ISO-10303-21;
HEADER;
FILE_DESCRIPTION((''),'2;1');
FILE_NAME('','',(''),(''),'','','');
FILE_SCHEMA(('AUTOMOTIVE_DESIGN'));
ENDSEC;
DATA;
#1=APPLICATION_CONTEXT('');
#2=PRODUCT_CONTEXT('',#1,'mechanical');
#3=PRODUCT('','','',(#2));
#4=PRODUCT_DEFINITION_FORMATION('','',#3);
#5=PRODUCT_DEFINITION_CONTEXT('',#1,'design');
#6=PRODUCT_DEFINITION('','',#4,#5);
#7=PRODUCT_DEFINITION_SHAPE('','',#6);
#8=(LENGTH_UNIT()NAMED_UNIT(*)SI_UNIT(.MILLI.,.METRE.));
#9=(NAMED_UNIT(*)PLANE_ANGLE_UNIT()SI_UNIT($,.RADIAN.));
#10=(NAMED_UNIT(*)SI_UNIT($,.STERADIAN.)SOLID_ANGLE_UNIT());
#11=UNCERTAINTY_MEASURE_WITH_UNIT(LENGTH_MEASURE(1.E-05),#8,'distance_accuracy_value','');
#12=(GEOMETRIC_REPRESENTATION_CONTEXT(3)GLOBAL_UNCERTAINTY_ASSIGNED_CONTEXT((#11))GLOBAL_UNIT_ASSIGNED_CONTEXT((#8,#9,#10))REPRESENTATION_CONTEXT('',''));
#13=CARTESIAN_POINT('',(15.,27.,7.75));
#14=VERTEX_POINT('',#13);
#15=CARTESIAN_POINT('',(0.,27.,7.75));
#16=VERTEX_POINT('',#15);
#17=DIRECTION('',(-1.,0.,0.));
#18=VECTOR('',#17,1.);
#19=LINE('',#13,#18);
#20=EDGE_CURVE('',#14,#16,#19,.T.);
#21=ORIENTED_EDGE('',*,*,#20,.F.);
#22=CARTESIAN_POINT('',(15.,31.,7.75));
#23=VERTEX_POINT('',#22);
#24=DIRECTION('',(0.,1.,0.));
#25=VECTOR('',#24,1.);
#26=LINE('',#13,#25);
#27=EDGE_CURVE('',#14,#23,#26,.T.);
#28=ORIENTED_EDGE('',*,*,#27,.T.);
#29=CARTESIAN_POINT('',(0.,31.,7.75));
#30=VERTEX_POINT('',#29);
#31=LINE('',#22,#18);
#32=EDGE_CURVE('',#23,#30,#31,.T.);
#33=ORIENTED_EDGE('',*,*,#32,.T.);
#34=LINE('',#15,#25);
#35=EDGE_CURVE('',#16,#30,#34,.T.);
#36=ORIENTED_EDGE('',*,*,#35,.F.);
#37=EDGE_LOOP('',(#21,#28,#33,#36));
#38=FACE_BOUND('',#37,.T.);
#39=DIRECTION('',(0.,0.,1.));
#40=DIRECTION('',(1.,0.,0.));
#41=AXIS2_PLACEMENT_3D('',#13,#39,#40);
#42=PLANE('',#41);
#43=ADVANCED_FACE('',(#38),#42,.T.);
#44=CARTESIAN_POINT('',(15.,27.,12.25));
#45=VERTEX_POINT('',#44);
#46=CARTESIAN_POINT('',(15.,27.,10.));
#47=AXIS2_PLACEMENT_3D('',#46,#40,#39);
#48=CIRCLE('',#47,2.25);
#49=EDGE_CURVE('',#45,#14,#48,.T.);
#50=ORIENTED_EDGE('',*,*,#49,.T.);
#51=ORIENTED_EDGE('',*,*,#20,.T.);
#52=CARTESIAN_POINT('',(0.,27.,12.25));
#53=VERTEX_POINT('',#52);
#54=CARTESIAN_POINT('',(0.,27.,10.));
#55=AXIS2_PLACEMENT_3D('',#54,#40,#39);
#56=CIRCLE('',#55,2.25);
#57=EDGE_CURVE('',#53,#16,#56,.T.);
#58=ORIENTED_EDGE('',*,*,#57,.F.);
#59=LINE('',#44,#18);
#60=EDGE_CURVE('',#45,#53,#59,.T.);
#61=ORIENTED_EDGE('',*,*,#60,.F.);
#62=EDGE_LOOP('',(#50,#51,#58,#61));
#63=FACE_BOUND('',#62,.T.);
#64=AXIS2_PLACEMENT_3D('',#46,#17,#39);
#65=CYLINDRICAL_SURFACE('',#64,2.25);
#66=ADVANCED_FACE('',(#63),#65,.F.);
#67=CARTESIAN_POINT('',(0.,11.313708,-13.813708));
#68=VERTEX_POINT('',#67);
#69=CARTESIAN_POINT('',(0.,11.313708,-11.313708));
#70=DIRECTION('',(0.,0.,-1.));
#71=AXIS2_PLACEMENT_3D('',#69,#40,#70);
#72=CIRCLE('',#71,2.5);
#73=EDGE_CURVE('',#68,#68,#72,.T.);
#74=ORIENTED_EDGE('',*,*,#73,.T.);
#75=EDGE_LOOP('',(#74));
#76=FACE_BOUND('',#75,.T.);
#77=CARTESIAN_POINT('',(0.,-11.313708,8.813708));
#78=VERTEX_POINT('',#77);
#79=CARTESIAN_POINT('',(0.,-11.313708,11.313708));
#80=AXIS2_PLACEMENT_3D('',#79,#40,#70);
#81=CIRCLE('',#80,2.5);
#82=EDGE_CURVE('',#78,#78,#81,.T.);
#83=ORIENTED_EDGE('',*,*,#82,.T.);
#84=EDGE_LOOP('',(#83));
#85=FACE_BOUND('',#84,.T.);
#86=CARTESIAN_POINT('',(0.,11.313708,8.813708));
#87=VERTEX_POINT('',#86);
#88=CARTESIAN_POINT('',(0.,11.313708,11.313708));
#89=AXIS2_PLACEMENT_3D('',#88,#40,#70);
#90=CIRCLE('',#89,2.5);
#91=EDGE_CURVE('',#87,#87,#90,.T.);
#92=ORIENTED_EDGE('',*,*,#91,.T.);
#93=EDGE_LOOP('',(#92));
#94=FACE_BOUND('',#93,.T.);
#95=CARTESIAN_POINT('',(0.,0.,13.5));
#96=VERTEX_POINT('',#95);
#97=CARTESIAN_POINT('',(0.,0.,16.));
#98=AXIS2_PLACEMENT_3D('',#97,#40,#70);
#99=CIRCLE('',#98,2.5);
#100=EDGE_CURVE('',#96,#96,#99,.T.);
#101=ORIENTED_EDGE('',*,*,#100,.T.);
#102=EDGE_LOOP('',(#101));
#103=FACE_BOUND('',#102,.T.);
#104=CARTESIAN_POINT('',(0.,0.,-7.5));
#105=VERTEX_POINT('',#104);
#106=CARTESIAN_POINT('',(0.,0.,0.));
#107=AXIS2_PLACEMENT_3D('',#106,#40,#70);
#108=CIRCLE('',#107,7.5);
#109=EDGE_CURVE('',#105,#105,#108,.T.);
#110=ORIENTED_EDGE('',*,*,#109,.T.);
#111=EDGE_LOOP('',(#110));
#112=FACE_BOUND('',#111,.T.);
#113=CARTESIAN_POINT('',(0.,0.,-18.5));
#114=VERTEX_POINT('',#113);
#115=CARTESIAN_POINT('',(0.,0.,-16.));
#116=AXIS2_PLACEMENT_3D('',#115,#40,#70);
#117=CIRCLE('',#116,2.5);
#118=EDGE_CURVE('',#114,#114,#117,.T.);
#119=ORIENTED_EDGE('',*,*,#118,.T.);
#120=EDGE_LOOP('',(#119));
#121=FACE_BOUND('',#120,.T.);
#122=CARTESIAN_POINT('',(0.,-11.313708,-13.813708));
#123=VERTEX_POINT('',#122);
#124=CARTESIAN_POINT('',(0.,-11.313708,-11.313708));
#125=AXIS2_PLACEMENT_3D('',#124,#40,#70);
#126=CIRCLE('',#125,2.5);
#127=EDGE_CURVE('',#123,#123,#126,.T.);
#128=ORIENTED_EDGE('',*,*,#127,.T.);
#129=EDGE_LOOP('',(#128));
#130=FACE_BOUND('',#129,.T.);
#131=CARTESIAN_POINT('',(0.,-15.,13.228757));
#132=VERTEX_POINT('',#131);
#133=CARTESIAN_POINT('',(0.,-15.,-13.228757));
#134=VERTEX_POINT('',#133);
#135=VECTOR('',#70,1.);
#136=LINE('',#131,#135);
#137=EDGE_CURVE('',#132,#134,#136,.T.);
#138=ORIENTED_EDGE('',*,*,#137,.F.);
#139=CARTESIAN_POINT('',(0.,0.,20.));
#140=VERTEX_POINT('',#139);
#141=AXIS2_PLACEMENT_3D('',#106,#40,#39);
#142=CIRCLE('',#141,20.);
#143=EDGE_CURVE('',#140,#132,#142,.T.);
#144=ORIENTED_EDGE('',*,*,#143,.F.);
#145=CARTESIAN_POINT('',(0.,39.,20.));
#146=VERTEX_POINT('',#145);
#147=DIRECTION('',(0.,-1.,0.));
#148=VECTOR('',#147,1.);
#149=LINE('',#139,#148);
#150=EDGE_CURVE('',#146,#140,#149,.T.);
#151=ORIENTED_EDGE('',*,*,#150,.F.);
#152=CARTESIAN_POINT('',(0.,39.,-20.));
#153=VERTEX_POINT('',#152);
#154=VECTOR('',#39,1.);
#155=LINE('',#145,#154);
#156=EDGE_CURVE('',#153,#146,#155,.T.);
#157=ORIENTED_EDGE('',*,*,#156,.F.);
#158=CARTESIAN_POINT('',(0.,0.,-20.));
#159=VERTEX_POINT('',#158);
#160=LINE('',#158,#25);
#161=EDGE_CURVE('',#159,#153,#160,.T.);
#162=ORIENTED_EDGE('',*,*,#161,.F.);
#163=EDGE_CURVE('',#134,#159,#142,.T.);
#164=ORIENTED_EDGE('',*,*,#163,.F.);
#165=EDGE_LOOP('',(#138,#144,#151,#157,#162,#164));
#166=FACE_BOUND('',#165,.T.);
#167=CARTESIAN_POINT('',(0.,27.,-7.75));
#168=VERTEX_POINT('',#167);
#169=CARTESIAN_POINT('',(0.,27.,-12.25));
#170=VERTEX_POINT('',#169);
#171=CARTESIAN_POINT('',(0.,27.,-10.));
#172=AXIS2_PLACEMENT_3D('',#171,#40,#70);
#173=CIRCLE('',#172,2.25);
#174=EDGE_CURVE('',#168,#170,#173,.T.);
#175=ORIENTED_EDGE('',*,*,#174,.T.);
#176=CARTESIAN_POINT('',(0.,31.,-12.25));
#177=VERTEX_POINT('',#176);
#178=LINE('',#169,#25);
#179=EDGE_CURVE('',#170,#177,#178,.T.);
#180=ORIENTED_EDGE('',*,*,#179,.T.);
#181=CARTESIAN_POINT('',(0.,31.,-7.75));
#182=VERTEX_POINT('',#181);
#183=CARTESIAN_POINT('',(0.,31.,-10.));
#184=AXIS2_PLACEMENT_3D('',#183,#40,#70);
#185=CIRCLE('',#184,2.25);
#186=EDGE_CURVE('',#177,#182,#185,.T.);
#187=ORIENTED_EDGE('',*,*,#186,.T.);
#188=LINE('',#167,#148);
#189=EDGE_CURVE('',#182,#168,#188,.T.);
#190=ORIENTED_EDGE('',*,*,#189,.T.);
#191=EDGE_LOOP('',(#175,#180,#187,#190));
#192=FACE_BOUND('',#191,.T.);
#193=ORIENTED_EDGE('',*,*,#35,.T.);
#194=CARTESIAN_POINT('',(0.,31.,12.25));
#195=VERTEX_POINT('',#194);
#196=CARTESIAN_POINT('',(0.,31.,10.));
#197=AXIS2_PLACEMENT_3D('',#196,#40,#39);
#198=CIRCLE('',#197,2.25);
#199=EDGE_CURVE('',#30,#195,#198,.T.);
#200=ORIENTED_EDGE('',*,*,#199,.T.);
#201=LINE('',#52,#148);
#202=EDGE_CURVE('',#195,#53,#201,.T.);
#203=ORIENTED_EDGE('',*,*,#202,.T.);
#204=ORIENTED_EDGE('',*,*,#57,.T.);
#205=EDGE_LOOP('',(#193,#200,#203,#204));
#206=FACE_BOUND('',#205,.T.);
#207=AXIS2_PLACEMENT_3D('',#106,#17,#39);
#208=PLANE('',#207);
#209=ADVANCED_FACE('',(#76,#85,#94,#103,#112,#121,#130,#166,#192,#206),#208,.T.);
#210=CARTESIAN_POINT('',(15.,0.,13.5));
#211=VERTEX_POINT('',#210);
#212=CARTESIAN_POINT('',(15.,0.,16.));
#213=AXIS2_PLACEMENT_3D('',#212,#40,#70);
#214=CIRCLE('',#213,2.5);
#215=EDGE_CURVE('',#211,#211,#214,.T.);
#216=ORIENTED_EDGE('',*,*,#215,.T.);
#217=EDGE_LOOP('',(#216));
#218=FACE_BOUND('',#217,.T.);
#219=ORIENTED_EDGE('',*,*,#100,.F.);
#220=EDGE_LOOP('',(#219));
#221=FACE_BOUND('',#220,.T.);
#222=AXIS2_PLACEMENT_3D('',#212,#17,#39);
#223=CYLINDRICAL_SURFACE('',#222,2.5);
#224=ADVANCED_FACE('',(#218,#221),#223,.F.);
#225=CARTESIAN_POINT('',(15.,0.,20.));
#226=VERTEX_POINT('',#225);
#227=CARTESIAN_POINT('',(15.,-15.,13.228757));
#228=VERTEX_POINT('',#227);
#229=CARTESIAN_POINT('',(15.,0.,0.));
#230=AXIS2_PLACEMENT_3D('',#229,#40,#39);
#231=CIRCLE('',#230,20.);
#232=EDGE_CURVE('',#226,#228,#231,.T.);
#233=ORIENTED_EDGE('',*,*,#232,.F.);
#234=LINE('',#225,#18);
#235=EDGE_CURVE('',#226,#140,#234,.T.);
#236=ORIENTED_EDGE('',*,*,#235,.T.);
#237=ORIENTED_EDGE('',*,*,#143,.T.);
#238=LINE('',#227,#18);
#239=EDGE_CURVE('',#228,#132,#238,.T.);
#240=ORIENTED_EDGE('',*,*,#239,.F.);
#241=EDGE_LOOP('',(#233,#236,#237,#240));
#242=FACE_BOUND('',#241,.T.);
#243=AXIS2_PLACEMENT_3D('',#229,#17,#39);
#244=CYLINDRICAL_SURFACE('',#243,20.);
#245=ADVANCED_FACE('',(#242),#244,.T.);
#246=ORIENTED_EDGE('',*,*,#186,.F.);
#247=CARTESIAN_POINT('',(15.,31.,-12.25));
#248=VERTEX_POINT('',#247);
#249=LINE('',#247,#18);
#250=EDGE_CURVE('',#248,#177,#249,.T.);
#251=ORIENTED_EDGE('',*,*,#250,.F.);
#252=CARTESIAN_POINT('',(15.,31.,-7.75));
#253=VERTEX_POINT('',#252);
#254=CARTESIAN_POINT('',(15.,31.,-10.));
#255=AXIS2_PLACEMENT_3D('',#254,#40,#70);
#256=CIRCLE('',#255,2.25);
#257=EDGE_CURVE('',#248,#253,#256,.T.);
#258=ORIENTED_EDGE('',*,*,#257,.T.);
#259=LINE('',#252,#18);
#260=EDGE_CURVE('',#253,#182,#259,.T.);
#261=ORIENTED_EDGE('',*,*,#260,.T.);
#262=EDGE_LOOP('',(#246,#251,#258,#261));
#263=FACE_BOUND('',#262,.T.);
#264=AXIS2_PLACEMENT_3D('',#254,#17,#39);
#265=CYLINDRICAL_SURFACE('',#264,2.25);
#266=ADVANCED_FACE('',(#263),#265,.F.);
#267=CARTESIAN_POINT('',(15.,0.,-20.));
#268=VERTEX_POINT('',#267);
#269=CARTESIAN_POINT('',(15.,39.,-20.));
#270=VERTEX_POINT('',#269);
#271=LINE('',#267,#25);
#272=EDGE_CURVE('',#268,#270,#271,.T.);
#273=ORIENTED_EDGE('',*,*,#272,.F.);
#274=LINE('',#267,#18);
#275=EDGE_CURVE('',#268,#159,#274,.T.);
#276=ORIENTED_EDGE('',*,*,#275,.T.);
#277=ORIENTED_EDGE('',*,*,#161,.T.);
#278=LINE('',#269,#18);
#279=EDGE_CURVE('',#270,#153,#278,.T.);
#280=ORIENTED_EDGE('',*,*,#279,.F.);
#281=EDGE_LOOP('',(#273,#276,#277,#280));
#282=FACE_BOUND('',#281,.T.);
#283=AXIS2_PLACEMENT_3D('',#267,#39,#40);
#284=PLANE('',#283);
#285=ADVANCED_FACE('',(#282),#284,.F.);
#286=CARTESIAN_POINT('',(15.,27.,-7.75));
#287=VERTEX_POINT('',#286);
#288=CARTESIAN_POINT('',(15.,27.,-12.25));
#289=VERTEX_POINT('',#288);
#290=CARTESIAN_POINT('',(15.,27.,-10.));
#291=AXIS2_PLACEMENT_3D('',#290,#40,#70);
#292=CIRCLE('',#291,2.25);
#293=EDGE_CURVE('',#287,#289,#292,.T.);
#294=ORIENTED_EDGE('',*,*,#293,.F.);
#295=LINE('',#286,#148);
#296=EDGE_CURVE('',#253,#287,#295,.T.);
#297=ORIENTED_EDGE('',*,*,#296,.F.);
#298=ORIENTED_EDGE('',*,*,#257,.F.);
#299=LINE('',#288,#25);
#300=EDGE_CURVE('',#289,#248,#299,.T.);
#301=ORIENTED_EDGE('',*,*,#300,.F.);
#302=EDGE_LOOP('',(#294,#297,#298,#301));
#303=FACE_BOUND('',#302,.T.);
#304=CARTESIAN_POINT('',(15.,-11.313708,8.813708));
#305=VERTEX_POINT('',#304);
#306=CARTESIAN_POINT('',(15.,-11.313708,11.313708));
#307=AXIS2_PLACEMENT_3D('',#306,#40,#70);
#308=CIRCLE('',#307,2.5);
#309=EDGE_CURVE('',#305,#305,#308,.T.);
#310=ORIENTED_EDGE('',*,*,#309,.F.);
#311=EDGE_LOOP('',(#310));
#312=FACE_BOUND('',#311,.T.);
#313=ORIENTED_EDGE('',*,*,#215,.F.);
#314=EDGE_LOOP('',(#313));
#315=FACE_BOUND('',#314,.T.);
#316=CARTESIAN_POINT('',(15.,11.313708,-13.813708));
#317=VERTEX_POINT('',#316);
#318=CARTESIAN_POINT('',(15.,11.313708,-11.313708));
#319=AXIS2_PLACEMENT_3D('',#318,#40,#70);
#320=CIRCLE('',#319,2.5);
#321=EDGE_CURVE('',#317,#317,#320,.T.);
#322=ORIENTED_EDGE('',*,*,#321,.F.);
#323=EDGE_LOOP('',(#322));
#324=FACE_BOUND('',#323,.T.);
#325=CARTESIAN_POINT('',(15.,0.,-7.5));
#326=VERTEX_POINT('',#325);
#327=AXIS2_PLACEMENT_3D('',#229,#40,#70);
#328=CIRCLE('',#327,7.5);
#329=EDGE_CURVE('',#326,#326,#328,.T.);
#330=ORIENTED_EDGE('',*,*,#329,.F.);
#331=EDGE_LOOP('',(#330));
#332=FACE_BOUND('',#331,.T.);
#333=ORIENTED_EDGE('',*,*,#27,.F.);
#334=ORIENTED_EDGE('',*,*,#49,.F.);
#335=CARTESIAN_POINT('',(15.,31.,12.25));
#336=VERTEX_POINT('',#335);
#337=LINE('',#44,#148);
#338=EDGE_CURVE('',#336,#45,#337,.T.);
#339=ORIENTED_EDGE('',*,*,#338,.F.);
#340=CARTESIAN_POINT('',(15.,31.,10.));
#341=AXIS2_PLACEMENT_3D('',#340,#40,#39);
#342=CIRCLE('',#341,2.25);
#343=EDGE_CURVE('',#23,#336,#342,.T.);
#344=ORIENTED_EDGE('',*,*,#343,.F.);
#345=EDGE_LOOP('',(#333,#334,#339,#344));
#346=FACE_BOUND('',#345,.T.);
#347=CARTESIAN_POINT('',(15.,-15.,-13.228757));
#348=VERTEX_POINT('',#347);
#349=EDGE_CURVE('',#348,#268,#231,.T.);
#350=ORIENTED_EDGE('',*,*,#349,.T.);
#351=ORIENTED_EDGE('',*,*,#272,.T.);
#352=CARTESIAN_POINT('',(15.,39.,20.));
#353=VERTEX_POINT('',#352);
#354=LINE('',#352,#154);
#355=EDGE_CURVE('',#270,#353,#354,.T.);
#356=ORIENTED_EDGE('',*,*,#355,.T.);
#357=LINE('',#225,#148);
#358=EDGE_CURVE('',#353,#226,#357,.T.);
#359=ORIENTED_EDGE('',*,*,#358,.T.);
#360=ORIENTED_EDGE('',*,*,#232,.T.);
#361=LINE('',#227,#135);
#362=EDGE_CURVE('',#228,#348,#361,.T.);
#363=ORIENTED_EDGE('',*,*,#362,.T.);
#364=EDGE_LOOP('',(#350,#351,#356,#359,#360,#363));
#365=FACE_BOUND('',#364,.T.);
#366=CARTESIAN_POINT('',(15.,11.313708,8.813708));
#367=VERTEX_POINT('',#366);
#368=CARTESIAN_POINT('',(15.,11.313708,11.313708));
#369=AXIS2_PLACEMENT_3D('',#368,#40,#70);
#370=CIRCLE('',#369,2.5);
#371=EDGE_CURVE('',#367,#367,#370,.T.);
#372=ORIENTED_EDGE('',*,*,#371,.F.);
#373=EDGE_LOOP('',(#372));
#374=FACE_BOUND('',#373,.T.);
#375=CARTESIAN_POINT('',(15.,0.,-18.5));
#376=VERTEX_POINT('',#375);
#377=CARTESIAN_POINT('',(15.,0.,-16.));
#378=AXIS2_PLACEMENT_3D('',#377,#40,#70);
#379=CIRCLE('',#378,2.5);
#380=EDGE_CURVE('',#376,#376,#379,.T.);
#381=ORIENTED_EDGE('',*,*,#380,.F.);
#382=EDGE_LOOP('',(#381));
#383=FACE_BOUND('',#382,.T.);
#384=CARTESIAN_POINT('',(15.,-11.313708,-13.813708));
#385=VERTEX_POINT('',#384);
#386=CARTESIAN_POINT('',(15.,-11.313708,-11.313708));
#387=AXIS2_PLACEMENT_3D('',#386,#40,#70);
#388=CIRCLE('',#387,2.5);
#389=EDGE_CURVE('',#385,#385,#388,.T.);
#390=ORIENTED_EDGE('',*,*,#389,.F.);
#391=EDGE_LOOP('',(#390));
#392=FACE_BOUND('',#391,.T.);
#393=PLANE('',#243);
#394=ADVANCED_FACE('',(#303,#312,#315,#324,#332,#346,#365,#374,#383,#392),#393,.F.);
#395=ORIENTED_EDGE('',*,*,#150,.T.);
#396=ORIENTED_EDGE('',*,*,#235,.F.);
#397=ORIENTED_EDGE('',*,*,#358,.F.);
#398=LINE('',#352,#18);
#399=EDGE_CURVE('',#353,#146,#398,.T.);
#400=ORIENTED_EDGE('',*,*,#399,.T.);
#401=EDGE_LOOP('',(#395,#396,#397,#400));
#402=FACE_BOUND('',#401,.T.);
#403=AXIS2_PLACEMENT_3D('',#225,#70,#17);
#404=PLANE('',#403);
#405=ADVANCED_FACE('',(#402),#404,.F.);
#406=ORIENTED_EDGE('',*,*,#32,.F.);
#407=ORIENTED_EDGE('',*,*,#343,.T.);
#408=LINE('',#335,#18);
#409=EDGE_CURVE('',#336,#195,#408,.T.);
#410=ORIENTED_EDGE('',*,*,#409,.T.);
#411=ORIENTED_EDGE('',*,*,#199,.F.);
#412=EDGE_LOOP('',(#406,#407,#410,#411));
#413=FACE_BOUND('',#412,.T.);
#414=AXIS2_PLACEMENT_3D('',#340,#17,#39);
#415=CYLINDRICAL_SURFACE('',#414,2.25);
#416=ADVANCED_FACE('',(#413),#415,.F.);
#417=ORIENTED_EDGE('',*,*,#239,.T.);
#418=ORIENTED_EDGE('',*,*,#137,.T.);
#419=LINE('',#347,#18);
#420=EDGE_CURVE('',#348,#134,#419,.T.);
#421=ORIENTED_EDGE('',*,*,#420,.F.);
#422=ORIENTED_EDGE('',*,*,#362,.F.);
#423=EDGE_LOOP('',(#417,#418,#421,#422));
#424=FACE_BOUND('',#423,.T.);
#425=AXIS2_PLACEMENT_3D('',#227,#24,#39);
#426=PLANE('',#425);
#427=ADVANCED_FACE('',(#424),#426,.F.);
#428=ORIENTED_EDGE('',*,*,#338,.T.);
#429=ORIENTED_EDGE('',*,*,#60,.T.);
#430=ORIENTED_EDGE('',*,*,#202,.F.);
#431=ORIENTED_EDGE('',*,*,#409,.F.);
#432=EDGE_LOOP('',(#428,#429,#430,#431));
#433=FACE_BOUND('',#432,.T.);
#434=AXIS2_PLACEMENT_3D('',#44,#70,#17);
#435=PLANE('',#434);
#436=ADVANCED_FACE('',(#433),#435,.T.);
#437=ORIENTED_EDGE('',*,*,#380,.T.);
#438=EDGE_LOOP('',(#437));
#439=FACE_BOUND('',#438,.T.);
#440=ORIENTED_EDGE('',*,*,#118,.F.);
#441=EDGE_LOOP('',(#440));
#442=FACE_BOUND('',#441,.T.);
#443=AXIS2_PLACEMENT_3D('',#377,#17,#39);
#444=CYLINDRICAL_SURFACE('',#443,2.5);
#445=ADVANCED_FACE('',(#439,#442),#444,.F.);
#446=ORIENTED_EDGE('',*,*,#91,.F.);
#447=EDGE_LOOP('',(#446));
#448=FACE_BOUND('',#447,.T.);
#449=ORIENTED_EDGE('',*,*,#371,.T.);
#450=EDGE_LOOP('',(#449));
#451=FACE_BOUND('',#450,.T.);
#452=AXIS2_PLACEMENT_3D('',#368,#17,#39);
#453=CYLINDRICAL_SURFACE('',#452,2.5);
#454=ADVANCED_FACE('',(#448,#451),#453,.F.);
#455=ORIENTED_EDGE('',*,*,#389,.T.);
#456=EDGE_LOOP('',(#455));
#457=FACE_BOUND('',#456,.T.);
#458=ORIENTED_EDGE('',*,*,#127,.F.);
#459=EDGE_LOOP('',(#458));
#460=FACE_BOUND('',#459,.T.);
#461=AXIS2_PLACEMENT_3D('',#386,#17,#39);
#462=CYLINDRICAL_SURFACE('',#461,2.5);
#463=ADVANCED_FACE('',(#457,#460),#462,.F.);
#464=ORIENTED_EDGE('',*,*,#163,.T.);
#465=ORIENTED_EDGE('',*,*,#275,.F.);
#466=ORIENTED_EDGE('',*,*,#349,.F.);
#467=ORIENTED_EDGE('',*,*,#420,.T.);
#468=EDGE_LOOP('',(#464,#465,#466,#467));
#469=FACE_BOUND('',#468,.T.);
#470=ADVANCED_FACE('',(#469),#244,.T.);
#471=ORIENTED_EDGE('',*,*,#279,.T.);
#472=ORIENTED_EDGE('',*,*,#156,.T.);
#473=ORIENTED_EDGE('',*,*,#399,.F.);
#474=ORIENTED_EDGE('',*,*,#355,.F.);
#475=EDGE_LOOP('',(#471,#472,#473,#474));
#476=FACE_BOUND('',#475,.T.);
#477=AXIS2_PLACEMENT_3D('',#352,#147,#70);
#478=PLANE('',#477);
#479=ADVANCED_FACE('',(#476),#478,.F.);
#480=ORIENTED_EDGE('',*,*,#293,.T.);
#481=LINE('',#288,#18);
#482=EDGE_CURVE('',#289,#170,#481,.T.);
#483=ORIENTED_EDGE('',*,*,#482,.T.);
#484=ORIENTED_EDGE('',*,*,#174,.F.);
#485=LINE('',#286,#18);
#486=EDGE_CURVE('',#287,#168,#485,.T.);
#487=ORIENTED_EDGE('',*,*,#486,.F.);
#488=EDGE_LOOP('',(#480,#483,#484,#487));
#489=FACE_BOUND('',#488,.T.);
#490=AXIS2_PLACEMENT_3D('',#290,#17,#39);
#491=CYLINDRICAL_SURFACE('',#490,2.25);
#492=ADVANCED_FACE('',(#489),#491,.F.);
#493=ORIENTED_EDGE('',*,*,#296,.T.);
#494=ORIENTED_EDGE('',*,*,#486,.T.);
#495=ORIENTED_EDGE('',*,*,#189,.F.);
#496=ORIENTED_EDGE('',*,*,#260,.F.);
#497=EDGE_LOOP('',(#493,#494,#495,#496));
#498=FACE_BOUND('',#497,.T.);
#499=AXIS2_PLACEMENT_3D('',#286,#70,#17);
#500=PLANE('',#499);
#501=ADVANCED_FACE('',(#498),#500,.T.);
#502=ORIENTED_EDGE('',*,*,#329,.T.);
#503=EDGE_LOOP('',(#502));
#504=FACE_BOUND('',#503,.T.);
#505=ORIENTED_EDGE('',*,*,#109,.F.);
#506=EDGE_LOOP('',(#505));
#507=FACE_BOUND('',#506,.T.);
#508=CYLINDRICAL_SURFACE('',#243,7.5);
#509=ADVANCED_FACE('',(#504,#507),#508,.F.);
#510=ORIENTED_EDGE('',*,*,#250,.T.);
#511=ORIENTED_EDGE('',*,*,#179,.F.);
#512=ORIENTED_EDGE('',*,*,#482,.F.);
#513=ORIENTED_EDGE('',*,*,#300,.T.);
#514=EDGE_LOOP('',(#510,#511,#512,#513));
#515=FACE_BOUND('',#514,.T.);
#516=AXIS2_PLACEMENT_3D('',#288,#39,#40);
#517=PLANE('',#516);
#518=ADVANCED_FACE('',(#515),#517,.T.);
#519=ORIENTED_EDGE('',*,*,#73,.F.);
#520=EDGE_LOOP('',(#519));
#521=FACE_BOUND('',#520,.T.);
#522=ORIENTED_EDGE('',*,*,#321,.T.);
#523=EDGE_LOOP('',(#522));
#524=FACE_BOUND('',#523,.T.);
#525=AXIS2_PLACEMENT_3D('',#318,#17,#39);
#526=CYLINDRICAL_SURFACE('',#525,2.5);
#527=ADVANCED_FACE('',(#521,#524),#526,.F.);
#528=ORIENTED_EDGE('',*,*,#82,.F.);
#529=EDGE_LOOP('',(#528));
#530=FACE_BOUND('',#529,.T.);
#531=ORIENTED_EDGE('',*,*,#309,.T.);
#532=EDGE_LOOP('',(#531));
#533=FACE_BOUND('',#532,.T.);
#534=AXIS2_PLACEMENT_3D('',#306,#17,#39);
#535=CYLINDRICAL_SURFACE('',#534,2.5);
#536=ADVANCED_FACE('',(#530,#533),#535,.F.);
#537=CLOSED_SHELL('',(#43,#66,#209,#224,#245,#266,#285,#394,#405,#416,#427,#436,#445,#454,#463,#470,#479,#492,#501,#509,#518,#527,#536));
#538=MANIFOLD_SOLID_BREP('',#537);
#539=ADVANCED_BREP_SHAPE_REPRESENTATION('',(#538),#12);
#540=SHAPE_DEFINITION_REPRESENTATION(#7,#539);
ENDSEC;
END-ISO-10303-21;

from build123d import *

# Parameters (mm, degrees)
SKETCH1_R           = 7.5
SKETCH1_R_2         = 2.5
BOSS_EXTRUDE1_DEPTH = 15


with BuildPart() as part:
    # Sketch1 → Boss-Extrude1 (new body)
    with BuildSketch(Plane(origin=(0, 0, 0), x_dir=(0, 0, -1), z_dir=(1, 0, 0))):
        with BuildLine():
            Line((-13.228756555, -15), (13.228756555, -15))
            ThreePointArc((13.228756555, -15), (18.228756555, -8.228756555), (20, 0))
            Line((20, 0), (20, 39))
            Line((20, 39), (-20, 39))
            Line((-20, 39), (-20, 0))
            ThreePointArc((-20, 0), (-18.228756555, -8.228756555), (-13.228756555, -15))
        make_face()
        Circle(SKETCH1_R, mode=Mode.SUBTRACT)
        with Locations((16, 0)):
            Circle(SKETCH1_R_2, mode=Mode.SUBTRACT)
        with Locations((11.313708499, -11.313708499)):
            Circle(SKETCH1_R_2, mode=Mode.SUBTRACT)
        with Locations((-11.313708499, -11.313708499)):
            Circle(SKETCH1_R_2, mode=Mode.SUBTRACT)
        with Locations((-16, 0)):
            Circle(SKETCH1_R_2, mode=Mode.SUBTRACT)
        with Locations((-11.313708499, 11.313708499)):
            Circle(SKETCH1_R_2, mode=Mode.SUBTRACT)
        with Locations((11.313708499, 11.313708499)):
            Circle(SKETCH1_R_2, mode=Mode.SUBTRACT)
        with BuildLine():
            Line((-12.25, 27), (-12.25, 31))
            ThreePointArc((-12.25, 31), (-10, 33.25), (-7.75, 31))
            Line((-7.75, 31), (-7.75, 27))
            ThreePointArc((-7.75, 27), (-10, 24.75), (-12.25, 27))
        make_face(mode=Mode.SUBTRACT)
        with BuildLine():
            Line((12.25, 27), (12.25, 31))
            ThreePointArc((12.25, 31), (10, 33.25), (7.75, 31))
            Line((7.75, 31), (7.75, 27))
            ThreePointArc((7.75, 27), (10, 24.75), (12.25, 27))
        make_face(mode=Mode.SUBTRACT)
    extrude(amount=BOSS_EXTRUDE1_DEPTH)


solid = part.part
